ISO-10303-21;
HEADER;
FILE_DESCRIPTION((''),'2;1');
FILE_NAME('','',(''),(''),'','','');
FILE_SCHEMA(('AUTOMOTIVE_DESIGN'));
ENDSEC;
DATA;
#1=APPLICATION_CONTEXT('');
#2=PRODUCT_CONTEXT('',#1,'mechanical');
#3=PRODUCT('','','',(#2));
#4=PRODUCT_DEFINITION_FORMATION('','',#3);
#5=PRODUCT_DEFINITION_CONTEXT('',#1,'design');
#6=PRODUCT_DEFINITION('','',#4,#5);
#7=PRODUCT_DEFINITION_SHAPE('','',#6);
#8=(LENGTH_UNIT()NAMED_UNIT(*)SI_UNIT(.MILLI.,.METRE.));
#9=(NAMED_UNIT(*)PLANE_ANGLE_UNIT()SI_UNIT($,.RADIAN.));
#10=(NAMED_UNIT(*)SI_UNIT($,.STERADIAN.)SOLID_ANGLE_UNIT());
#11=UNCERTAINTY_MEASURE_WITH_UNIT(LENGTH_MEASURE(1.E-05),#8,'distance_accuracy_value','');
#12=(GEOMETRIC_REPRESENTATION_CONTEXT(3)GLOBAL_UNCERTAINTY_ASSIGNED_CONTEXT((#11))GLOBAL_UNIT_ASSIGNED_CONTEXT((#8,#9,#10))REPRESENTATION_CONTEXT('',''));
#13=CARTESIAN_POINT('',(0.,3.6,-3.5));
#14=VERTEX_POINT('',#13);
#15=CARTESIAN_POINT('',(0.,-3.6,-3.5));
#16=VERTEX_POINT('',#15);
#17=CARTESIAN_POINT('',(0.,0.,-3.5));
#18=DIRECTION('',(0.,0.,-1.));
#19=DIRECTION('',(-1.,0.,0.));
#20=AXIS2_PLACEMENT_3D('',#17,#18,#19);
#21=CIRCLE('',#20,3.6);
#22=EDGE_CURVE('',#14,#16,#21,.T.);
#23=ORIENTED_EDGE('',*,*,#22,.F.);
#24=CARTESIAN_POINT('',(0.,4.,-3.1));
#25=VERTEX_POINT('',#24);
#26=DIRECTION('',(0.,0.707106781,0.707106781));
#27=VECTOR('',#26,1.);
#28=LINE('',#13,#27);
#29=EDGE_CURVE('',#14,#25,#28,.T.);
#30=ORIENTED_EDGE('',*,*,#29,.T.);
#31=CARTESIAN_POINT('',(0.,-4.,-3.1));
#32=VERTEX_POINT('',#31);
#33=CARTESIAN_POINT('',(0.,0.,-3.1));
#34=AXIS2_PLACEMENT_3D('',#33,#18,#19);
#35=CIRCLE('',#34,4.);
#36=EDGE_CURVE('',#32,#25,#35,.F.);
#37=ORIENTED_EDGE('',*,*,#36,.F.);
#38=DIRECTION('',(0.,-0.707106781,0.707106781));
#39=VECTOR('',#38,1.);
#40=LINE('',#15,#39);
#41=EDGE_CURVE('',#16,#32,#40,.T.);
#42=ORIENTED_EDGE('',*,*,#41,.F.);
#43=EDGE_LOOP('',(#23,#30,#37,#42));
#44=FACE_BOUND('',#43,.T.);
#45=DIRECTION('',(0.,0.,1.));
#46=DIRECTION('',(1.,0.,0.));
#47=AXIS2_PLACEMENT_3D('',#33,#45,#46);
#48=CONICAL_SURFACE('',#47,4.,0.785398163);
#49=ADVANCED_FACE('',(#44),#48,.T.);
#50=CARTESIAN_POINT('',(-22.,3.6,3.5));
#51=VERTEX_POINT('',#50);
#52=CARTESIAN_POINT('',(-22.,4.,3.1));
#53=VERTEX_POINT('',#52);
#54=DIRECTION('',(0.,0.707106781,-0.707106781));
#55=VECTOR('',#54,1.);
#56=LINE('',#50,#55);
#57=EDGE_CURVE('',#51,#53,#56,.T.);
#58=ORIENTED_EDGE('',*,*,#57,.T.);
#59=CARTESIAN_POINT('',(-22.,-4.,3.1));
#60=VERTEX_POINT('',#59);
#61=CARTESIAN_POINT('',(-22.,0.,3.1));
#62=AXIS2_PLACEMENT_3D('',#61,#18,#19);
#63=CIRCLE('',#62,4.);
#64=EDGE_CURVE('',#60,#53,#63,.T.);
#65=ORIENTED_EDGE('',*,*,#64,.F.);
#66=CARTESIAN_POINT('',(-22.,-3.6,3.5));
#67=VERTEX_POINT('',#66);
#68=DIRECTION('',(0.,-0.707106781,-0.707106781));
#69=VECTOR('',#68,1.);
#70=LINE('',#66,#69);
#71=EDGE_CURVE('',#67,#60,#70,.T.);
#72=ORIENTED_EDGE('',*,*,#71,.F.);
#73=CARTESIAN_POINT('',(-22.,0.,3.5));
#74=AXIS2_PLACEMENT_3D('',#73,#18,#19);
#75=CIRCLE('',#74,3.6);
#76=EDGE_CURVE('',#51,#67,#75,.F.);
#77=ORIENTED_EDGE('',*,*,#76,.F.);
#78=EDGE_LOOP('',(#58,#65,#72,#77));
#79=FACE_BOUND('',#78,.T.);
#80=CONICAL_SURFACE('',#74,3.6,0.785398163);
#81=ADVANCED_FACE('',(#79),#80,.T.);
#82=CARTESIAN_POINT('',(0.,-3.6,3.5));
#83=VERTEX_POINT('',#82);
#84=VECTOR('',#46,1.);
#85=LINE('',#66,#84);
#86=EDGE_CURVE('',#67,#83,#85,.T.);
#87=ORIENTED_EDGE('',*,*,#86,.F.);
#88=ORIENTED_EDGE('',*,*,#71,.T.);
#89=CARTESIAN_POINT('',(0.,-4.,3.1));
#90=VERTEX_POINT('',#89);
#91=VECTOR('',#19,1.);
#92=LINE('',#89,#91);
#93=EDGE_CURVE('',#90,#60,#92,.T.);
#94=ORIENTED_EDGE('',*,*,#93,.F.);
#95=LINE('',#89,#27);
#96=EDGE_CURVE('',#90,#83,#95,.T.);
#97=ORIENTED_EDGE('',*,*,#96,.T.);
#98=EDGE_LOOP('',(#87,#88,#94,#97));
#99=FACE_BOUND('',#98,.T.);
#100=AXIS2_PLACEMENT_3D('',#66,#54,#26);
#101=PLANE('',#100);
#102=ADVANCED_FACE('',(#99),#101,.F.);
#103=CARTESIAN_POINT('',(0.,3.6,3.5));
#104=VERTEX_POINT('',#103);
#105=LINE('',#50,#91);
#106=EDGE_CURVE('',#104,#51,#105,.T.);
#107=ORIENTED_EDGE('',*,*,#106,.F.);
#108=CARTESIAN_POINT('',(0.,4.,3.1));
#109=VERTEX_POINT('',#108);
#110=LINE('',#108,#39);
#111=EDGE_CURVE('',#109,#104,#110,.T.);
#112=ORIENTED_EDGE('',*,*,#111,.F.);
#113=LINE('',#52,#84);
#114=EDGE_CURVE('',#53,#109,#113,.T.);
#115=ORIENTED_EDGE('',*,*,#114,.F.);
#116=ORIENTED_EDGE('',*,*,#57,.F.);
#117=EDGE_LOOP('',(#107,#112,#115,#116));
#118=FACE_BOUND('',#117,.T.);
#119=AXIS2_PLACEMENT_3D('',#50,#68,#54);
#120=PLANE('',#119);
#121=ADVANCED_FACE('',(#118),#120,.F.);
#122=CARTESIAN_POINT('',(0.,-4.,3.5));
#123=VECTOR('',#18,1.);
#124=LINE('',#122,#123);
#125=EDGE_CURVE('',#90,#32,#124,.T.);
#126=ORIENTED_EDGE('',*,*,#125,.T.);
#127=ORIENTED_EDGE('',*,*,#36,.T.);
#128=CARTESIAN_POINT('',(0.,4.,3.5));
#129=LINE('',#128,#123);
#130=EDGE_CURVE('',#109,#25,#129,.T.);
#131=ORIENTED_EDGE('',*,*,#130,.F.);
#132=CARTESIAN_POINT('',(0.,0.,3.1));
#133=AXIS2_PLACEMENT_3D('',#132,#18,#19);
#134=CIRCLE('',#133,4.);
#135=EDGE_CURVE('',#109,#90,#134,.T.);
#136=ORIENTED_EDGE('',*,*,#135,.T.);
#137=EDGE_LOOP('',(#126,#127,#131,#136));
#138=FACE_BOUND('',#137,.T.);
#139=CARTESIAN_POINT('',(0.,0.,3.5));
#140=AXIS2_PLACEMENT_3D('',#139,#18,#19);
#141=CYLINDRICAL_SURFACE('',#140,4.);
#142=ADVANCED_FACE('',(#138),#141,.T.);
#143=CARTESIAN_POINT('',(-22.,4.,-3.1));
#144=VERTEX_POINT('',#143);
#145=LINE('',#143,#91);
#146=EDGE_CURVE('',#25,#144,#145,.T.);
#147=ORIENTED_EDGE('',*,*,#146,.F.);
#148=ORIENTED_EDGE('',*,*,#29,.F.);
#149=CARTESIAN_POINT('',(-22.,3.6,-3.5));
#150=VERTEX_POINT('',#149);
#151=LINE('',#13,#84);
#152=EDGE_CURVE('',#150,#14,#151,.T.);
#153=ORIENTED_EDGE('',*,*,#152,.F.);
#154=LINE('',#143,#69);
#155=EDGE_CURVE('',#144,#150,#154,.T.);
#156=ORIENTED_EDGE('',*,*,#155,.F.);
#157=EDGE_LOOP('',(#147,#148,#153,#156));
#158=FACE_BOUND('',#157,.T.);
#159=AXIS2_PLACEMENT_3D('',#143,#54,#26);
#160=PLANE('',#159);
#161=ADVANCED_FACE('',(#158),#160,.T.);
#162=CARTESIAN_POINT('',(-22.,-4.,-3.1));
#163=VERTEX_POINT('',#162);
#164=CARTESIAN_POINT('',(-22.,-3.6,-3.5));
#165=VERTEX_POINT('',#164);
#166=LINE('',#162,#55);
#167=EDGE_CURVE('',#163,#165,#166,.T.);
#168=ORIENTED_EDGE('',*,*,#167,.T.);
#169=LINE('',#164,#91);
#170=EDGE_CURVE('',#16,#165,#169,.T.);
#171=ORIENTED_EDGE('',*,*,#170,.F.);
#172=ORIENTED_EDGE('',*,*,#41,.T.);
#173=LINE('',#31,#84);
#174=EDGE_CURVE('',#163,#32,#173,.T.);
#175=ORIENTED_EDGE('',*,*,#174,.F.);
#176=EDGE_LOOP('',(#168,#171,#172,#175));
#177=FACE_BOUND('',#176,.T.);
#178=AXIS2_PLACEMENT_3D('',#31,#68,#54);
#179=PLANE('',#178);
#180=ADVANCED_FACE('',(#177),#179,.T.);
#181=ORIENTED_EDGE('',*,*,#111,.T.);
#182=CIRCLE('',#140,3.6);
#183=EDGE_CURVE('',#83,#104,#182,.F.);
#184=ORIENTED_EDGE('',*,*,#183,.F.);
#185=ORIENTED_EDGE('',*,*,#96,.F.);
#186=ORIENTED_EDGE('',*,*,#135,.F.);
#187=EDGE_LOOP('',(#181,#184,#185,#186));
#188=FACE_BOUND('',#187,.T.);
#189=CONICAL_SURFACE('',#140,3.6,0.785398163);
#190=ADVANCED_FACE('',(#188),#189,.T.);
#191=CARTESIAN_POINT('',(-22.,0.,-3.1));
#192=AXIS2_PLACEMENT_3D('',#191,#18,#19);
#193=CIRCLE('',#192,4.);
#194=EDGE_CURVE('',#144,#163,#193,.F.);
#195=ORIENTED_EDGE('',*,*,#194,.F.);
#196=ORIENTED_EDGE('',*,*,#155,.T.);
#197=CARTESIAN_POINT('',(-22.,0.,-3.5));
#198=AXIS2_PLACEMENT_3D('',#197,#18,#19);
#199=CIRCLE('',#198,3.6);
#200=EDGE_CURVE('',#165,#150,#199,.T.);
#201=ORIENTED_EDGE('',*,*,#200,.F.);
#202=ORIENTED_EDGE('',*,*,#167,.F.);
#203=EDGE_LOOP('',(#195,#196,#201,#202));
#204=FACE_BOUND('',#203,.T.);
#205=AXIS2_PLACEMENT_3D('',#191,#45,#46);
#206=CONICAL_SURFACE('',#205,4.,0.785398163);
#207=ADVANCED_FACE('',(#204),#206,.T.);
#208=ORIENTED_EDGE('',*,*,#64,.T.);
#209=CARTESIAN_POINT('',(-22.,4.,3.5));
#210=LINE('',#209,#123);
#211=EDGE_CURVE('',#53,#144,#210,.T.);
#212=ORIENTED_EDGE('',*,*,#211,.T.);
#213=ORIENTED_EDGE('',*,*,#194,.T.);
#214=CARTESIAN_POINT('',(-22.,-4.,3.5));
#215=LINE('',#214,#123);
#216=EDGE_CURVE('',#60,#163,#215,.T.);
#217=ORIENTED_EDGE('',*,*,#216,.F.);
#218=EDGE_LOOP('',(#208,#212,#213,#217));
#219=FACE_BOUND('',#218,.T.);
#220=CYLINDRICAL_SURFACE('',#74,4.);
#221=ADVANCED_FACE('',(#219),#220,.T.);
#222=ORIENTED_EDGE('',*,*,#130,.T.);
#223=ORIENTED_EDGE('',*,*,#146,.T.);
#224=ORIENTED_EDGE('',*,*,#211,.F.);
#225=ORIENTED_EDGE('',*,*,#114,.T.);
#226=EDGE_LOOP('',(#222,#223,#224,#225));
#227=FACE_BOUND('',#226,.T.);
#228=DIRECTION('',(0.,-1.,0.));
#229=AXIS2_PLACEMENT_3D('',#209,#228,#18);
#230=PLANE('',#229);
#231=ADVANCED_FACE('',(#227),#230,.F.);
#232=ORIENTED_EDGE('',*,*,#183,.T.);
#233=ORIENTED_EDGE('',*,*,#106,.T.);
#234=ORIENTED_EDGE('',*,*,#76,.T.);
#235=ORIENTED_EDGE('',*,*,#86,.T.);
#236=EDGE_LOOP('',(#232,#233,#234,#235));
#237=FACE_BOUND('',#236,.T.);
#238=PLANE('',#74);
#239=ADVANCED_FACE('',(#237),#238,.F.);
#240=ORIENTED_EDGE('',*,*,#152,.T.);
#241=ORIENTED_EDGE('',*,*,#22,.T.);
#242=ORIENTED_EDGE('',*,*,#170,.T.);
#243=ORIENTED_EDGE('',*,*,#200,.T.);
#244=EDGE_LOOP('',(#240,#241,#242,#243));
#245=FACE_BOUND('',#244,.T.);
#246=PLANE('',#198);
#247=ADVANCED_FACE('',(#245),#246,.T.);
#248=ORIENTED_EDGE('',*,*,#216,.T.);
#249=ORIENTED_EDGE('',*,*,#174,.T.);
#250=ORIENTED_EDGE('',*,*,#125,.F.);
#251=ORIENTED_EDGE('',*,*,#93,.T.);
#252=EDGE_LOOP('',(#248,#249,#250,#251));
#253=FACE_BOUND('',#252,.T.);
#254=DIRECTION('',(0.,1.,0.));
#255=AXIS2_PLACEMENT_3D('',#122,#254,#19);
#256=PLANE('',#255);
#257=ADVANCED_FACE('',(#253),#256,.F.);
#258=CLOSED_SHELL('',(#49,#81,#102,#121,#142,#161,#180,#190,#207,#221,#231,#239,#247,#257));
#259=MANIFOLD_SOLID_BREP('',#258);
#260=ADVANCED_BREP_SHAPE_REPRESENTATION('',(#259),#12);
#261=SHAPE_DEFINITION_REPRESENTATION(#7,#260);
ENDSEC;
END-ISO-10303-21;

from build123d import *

# Parameters (mm, degrees)
BASEKEY_DEPTH = 3.5
CHAMFER1_SIZE = 0.4


with BuildPart() as part:
    # Sketch1 → BaseKey (new body, symmetric)
    with BuildSketch(Plane.XY):
        with BuildLine():
            Line((-22, 4), (0, 4))
            ThreePointArc((0, 4), (4, 0), (0, -4))
            Line((0, -4), (-22, -4))
            ThreePointArc((-22, -4), (-26, 0), (-22, 4))
        make_face()
    extrude(amount=BASEKEY_DEPTH, both=True)

    # Chamfer1
    chamfer1_edges = [part.edges().sort_by_distance(p)[0] for p in [
        (4, 0, 3.5),
        (-11, 4, 3.5),
        (-26, 0, 3.5),
        (-11, 4, -3.5),
        (4, 0, -3.5),
        (-11, -4, -3.5),
        (-26, 0, -3.5),
        (-11, -4, 3.5),
    ]]
    chamfer(chamfer1_edges, length=CHAMFER1_SIZE)


solid = part.part
